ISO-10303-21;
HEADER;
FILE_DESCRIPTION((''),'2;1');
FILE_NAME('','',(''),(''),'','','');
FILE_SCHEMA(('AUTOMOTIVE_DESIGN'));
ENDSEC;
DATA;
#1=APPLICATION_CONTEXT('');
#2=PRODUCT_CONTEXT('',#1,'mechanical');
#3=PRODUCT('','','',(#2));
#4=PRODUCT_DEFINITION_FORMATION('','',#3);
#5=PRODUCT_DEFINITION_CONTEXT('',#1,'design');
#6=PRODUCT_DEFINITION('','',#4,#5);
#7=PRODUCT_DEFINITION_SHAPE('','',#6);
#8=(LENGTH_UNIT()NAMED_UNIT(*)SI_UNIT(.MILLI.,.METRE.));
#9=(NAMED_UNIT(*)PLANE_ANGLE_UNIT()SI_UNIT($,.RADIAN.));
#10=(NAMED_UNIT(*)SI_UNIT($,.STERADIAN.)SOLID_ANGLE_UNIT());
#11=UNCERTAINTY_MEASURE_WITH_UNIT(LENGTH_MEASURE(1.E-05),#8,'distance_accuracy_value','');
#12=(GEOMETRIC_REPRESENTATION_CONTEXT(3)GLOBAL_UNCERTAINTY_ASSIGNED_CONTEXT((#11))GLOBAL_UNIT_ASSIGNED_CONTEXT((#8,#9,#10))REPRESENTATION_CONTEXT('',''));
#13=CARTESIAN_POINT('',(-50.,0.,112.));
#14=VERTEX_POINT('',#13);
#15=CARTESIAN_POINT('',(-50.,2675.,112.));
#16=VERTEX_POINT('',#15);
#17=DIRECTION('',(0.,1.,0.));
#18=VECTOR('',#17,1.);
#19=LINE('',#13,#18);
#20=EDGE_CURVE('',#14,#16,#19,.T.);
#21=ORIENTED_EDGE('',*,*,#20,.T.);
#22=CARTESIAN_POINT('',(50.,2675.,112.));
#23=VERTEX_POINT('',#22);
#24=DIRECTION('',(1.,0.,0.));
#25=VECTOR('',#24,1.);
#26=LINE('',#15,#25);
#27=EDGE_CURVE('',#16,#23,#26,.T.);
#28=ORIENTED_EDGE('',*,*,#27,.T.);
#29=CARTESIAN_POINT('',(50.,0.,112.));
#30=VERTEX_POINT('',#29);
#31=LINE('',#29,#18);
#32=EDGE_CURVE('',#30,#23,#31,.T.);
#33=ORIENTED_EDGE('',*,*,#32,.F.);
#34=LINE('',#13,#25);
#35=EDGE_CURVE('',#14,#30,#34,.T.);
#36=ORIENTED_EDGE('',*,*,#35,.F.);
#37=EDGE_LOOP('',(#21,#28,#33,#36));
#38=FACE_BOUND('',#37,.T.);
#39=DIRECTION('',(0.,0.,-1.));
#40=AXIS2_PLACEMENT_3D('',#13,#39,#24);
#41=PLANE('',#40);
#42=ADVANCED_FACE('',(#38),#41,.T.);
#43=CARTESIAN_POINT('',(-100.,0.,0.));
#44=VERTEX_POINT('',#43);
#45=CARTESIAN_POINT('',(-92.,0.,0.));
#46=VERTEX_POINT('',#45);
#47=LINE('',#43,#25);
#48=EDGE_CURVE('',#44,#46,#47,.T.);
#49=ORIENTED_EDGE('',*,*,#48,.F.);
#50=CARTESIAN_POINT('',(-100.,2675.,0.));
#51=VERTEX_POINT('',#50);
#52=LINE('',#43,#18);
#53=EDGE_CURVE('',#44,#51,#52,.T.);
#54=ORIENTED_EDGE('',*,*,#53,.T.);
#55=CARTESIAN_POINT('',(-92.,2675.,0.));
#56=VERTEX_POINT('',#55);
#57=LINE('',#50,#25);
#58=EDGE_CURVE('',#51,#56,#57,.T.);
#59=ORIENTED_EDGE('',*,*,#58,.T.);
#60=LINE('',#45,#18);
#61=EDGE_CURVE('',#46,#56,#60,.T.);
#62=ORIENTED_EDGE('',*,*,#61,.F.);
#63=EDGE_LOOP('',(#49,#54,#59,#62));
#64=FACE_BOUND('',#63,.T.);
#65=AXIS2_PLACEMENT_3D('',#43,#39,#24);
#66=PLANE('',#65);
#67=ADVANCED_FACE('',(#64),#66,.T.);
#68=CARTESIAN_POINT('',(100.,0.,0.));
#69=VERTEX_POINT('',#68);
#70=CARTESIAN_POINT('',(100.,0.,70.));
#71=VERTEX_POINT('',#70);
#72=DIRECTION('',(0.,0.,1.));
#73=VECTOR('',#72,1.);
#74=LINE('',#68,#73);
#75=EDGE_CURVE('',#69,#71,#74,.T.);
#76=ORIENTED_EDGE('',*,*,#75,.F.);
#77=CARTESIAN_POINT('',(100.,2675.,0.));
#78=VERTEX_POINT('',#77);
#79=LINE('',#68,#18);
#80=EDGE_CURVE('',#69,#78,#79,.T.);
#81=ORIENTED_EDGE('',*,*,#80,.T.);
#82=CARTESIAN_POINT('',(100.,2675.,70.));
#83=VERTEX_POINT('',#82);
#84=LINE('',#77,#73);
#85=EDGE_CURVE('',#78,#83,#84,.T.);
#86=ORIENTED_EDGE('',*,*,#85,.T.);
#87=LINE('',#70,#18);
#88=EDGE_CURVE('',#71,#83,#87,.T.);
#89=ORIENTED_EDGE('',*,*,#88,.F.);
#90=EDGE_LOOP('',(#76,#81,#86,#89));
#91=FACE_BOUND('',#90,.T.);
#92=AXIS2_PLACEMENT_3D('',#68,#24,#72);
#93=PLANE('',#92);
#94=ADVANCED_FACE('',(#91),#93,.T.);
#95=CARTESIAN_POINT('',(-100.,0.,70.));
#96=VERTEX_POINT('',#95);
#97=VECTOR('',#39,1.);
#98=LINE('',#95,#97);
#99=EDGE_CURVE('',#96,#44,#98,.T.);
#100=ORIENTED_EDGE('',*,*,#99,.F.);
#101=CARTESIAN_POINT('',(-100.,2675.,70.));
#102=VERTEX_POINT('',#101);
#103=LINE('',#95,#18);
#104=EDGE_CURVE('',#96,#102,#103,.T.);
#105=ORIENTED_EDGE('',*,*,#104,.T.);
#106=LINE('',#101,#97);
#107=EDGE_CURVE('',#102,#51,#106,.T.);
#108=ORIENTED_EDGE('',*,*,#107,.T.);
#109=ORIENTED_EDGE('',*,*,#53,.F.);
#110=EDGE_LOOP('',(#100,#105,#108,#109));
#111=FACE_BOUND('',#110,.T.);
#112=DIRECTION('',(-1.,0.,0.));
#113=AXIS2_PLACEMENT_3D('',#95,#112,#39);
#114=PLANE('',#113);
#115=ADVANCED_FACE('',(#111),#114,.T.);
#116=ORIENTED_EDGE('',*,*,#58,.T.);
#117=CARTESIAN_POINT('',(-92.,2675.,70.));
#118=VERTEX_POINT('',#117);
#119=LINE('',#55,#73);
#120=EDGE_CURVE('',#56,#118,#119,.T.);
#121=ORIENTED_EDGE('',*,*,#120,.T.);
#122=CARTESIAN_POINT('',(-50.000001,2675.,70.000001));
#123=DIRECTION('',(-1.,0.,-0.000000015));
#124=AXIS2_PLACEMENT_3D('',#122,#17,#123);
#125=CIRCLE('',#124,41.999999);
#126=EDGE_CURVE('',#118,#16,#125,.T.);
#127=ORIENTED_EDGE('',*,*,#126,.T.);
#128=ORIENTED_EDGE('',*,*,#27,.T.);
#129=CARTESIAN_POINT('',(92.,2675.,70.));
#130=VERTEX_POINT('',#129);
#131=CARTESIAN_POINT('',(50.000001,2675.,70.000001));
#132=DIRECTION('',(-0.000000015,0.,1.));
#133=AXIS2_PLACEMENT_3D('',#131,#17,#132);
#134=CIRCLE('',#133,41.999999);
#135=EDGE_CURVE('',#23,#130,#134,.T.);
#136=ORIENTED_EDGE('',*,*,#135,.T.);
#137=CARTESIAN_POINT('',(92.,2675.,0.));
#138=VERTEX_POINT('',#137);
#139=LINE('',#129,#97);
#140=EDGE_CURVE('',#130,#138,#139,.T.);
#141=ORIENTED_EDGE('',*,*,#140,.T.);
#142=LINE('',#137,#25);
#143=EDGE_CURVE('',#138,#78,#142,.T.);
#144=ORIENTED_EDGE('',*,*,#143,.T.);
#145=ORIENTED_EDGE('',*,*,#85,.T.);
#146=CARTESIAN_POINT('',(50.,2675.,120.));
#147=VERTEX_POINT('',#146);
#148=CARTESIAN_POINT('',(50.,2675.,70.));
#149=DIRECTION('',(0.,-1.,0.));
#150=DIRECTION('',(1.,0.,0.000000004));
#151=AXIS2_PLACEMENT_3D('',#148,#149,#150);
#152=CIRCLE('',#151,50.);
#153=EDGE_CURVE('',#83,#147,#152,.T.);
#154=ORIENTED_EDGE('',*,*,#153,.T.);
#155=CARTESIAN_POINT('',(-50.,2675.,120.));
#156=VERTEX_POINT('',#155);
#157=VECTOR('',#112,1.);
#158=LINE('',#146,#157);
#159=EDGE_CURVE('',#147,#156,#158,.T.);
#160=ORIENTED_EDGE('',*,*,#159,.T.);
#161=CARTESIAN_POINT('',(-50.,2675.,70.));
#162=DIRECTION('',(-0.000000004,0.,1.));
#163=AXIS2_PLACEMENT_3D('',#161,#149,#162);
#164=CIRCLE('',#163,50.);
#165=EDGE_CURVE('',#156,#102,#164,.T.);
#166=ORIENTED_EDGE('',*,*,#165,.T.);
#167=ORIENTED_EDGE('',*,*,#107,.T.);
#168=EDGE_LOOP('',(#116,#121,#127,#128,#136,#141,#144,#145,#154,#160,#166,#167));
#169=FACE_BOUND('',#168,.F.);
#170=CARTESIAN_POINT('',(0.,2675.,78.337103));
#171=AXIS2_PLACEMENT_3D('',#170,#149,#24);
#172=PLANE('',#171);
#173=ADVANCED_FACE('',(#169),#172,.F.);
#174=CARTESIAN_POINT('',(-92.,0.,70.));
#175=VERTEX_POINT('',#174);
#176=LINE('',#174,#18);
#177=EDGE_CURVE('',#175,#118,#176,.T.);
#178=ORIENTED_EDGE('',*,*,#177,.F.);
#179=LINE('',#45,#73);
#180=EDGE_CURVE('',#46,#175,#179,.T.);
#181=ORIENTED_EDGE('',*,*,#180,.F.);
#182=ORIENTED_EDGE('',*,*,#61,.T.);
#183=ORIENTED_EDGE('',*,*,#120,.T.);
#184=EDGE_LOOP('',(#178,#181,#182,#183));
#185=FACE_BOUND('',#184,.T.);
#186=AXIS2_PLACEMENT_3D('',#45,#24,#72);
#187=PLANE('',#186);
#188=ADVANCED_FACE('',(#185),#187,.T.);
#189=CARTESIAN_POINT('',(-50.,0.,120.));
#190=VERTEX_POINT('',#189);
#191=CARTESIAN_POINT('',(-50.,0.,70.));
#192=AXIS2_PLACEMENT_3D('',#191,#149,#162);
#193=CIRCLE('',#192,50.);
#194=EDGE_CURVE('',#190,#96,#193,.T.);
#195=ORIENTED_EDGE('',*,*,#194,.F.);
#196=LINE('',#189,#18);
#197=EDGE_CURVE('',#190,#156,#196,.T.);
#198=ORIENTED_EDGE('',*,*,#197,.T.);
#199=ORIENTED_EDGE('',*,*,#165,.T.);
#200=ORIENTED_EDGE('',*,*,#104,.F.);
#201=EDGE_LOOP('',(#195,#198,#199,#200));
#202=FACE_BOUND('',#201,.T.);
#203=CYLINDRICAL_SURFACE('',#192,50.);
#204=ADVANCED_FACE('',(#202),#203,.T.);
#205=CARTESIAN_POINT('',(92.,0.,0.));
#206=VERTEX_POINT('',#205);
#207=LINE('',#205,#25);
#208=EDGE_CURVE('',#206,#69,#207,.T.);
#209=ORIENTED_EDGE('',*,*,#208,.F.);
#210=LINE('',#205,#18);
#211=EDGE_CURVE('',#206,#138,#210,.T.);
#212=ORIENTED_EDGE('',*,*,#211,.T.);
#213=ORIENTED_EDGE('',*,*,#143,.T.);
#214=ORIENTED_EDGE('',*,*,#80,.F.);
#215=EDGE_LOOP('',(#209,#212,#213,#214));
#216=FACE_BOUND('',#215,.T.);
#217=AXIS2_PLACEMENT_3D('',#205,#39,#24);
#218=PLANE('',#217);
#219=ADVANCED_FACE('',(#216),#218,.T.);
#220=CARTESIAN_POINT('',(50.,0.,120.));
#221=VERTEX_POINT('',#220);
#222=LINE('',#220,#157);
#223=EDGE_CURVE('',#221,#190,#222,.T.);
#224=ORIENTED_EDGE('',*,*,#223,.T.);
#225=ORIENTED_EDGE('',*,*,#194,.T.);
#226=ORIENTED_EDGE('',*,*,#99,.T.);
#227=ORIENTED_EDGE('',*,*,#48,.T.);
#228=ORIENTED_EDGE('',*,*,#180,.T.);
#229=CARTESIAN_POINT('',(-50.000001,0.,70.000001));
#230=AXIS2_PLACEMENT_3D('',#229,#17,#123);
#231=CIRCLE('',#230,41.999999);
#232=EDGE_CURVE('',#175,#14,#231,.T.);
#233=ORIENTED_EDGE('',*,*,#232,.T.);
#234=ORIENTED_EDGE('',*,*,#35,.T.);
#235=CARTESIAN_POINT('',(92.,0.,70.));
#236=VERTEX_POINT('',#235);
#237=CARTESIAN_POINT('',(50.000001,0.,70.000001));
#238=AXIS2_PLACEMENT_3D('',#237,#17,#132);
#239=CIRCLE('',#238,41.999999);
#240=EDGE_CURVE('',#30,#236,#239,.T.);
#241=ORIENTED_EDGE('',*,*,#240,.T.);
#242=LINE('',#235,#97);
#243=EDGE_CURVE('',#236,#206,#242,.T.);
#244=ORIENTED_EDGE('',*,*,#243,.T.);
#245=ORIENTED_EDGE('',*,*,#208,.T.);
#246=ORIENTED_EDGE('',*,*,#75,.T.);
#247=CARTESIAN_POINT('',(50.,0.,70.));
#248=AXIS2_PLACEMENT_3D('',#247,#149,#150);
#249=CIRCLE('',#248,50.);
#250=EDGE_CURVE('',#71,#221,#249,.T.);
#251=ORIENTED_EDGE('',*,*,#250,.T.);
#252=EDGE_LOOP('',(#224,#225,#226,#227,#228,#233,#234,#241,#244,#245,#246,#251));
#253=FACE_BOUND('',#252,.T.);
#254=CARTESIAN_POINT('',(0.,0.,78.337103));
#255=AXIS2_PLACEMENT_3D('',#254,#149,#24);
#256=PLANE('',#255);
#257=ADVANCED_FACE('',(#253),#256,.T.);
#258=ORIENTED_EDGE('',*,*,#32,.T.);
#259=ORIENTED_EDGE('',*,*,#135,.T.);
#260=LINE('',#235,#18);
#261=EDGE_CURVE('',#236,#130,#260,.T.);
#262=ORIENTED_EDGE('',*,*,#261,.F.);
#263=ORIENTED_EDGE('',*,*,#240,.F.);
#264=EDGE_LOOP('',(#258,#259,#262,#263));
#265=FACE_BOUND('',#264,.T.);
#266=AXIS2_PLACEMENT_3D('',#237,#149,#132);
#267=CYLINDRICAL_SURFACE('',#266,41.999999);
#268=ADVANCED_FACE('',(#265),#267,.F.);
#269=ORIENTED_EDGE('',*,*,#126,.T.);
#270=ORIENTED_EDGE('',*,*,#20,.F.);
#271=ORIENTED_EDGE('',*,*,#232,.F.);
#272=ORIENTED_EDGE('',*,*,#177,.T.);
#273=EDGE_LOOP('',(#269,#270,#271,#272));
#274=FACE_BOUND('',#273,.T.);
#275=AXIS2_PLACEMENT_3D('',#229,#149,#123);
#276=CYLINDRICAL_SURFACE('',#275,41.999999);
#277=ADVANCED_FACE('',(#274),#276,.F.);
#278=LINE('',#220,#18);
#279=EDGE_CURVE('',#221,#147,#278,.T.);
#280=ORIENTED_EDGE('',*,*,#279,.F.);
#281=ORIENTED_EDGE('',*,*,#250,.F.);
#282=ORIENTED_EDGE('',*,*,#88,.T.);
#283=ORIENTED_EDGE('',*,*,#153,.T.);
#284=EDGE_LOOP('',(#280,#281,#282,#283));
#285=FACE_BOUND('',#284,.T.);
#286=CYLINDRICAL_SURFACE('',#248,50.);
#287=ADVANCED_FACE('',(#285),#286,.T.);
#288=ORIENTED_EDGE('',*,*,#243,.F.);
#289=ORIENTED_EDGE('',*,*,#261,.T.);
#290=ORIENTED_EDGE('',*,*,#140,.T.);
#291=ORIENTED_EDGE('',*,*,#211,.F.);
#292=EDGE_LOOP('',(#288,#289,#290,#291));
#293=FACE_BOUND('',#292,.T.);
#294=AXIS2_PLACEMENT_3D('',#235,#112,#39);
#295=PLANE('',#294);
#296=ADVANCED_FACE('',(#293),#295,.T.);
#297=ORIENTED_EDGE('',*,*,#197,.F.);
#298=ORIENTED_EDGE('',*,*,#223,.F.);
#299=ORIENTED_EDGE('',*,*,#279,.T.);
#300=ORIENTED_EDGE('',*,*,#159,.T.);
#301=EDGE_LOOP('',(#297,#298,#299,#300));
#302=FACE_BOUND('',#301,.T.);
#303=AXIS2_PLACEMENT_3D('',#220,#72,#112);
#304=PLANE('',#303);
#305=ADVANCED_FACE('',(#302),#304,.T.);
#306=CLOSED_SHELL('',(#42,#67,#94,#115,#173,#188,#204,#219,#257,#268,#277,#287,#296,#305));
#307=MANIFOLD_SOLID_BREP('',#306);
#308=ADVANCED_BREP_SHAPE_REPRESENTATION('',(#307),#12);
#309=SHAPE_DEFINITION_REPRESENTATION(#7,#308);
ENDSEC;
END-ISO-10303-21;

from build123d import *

# Parameters (mm, degrees)
F1_DEPTH = 2675


with BuildPart() as f1:
    # F0 (on Front) → F1 (new body)
    with BuildSketch(Plane.XZ):
        with BuildLine():
            Line((-100, 70), (-100, 0))
            Line((-100, 0), (-92, 0))
            Line((-92, 0), (-92, 70))
            ThreePointArc((-92, 70), (-79.698485, 99.698485), (-50, 112))
            Line((-50, 112), (0, 112))
            Line((0, 112), (50, 112))
            ThreePointArc((50, 112), (79.698485, 99.698485), (92, 70))
            Line((92, 70), (92, 0))
            Line((92, 0), (100, 0))
            Line((100, 0), (100, 70))
            ThreePointArc((100, 70), (85.355339, 105.355339), (50, 120))
            Line((50, 120), (0, 120))
            Line((0, 120), (-50, 120))
            ThreePointArc((-50, 120), (-85.355339, 105.355339), (-100, 70))
        make_face()
    extrude(amount=-F1_DEPTH)


solid = f1.part
